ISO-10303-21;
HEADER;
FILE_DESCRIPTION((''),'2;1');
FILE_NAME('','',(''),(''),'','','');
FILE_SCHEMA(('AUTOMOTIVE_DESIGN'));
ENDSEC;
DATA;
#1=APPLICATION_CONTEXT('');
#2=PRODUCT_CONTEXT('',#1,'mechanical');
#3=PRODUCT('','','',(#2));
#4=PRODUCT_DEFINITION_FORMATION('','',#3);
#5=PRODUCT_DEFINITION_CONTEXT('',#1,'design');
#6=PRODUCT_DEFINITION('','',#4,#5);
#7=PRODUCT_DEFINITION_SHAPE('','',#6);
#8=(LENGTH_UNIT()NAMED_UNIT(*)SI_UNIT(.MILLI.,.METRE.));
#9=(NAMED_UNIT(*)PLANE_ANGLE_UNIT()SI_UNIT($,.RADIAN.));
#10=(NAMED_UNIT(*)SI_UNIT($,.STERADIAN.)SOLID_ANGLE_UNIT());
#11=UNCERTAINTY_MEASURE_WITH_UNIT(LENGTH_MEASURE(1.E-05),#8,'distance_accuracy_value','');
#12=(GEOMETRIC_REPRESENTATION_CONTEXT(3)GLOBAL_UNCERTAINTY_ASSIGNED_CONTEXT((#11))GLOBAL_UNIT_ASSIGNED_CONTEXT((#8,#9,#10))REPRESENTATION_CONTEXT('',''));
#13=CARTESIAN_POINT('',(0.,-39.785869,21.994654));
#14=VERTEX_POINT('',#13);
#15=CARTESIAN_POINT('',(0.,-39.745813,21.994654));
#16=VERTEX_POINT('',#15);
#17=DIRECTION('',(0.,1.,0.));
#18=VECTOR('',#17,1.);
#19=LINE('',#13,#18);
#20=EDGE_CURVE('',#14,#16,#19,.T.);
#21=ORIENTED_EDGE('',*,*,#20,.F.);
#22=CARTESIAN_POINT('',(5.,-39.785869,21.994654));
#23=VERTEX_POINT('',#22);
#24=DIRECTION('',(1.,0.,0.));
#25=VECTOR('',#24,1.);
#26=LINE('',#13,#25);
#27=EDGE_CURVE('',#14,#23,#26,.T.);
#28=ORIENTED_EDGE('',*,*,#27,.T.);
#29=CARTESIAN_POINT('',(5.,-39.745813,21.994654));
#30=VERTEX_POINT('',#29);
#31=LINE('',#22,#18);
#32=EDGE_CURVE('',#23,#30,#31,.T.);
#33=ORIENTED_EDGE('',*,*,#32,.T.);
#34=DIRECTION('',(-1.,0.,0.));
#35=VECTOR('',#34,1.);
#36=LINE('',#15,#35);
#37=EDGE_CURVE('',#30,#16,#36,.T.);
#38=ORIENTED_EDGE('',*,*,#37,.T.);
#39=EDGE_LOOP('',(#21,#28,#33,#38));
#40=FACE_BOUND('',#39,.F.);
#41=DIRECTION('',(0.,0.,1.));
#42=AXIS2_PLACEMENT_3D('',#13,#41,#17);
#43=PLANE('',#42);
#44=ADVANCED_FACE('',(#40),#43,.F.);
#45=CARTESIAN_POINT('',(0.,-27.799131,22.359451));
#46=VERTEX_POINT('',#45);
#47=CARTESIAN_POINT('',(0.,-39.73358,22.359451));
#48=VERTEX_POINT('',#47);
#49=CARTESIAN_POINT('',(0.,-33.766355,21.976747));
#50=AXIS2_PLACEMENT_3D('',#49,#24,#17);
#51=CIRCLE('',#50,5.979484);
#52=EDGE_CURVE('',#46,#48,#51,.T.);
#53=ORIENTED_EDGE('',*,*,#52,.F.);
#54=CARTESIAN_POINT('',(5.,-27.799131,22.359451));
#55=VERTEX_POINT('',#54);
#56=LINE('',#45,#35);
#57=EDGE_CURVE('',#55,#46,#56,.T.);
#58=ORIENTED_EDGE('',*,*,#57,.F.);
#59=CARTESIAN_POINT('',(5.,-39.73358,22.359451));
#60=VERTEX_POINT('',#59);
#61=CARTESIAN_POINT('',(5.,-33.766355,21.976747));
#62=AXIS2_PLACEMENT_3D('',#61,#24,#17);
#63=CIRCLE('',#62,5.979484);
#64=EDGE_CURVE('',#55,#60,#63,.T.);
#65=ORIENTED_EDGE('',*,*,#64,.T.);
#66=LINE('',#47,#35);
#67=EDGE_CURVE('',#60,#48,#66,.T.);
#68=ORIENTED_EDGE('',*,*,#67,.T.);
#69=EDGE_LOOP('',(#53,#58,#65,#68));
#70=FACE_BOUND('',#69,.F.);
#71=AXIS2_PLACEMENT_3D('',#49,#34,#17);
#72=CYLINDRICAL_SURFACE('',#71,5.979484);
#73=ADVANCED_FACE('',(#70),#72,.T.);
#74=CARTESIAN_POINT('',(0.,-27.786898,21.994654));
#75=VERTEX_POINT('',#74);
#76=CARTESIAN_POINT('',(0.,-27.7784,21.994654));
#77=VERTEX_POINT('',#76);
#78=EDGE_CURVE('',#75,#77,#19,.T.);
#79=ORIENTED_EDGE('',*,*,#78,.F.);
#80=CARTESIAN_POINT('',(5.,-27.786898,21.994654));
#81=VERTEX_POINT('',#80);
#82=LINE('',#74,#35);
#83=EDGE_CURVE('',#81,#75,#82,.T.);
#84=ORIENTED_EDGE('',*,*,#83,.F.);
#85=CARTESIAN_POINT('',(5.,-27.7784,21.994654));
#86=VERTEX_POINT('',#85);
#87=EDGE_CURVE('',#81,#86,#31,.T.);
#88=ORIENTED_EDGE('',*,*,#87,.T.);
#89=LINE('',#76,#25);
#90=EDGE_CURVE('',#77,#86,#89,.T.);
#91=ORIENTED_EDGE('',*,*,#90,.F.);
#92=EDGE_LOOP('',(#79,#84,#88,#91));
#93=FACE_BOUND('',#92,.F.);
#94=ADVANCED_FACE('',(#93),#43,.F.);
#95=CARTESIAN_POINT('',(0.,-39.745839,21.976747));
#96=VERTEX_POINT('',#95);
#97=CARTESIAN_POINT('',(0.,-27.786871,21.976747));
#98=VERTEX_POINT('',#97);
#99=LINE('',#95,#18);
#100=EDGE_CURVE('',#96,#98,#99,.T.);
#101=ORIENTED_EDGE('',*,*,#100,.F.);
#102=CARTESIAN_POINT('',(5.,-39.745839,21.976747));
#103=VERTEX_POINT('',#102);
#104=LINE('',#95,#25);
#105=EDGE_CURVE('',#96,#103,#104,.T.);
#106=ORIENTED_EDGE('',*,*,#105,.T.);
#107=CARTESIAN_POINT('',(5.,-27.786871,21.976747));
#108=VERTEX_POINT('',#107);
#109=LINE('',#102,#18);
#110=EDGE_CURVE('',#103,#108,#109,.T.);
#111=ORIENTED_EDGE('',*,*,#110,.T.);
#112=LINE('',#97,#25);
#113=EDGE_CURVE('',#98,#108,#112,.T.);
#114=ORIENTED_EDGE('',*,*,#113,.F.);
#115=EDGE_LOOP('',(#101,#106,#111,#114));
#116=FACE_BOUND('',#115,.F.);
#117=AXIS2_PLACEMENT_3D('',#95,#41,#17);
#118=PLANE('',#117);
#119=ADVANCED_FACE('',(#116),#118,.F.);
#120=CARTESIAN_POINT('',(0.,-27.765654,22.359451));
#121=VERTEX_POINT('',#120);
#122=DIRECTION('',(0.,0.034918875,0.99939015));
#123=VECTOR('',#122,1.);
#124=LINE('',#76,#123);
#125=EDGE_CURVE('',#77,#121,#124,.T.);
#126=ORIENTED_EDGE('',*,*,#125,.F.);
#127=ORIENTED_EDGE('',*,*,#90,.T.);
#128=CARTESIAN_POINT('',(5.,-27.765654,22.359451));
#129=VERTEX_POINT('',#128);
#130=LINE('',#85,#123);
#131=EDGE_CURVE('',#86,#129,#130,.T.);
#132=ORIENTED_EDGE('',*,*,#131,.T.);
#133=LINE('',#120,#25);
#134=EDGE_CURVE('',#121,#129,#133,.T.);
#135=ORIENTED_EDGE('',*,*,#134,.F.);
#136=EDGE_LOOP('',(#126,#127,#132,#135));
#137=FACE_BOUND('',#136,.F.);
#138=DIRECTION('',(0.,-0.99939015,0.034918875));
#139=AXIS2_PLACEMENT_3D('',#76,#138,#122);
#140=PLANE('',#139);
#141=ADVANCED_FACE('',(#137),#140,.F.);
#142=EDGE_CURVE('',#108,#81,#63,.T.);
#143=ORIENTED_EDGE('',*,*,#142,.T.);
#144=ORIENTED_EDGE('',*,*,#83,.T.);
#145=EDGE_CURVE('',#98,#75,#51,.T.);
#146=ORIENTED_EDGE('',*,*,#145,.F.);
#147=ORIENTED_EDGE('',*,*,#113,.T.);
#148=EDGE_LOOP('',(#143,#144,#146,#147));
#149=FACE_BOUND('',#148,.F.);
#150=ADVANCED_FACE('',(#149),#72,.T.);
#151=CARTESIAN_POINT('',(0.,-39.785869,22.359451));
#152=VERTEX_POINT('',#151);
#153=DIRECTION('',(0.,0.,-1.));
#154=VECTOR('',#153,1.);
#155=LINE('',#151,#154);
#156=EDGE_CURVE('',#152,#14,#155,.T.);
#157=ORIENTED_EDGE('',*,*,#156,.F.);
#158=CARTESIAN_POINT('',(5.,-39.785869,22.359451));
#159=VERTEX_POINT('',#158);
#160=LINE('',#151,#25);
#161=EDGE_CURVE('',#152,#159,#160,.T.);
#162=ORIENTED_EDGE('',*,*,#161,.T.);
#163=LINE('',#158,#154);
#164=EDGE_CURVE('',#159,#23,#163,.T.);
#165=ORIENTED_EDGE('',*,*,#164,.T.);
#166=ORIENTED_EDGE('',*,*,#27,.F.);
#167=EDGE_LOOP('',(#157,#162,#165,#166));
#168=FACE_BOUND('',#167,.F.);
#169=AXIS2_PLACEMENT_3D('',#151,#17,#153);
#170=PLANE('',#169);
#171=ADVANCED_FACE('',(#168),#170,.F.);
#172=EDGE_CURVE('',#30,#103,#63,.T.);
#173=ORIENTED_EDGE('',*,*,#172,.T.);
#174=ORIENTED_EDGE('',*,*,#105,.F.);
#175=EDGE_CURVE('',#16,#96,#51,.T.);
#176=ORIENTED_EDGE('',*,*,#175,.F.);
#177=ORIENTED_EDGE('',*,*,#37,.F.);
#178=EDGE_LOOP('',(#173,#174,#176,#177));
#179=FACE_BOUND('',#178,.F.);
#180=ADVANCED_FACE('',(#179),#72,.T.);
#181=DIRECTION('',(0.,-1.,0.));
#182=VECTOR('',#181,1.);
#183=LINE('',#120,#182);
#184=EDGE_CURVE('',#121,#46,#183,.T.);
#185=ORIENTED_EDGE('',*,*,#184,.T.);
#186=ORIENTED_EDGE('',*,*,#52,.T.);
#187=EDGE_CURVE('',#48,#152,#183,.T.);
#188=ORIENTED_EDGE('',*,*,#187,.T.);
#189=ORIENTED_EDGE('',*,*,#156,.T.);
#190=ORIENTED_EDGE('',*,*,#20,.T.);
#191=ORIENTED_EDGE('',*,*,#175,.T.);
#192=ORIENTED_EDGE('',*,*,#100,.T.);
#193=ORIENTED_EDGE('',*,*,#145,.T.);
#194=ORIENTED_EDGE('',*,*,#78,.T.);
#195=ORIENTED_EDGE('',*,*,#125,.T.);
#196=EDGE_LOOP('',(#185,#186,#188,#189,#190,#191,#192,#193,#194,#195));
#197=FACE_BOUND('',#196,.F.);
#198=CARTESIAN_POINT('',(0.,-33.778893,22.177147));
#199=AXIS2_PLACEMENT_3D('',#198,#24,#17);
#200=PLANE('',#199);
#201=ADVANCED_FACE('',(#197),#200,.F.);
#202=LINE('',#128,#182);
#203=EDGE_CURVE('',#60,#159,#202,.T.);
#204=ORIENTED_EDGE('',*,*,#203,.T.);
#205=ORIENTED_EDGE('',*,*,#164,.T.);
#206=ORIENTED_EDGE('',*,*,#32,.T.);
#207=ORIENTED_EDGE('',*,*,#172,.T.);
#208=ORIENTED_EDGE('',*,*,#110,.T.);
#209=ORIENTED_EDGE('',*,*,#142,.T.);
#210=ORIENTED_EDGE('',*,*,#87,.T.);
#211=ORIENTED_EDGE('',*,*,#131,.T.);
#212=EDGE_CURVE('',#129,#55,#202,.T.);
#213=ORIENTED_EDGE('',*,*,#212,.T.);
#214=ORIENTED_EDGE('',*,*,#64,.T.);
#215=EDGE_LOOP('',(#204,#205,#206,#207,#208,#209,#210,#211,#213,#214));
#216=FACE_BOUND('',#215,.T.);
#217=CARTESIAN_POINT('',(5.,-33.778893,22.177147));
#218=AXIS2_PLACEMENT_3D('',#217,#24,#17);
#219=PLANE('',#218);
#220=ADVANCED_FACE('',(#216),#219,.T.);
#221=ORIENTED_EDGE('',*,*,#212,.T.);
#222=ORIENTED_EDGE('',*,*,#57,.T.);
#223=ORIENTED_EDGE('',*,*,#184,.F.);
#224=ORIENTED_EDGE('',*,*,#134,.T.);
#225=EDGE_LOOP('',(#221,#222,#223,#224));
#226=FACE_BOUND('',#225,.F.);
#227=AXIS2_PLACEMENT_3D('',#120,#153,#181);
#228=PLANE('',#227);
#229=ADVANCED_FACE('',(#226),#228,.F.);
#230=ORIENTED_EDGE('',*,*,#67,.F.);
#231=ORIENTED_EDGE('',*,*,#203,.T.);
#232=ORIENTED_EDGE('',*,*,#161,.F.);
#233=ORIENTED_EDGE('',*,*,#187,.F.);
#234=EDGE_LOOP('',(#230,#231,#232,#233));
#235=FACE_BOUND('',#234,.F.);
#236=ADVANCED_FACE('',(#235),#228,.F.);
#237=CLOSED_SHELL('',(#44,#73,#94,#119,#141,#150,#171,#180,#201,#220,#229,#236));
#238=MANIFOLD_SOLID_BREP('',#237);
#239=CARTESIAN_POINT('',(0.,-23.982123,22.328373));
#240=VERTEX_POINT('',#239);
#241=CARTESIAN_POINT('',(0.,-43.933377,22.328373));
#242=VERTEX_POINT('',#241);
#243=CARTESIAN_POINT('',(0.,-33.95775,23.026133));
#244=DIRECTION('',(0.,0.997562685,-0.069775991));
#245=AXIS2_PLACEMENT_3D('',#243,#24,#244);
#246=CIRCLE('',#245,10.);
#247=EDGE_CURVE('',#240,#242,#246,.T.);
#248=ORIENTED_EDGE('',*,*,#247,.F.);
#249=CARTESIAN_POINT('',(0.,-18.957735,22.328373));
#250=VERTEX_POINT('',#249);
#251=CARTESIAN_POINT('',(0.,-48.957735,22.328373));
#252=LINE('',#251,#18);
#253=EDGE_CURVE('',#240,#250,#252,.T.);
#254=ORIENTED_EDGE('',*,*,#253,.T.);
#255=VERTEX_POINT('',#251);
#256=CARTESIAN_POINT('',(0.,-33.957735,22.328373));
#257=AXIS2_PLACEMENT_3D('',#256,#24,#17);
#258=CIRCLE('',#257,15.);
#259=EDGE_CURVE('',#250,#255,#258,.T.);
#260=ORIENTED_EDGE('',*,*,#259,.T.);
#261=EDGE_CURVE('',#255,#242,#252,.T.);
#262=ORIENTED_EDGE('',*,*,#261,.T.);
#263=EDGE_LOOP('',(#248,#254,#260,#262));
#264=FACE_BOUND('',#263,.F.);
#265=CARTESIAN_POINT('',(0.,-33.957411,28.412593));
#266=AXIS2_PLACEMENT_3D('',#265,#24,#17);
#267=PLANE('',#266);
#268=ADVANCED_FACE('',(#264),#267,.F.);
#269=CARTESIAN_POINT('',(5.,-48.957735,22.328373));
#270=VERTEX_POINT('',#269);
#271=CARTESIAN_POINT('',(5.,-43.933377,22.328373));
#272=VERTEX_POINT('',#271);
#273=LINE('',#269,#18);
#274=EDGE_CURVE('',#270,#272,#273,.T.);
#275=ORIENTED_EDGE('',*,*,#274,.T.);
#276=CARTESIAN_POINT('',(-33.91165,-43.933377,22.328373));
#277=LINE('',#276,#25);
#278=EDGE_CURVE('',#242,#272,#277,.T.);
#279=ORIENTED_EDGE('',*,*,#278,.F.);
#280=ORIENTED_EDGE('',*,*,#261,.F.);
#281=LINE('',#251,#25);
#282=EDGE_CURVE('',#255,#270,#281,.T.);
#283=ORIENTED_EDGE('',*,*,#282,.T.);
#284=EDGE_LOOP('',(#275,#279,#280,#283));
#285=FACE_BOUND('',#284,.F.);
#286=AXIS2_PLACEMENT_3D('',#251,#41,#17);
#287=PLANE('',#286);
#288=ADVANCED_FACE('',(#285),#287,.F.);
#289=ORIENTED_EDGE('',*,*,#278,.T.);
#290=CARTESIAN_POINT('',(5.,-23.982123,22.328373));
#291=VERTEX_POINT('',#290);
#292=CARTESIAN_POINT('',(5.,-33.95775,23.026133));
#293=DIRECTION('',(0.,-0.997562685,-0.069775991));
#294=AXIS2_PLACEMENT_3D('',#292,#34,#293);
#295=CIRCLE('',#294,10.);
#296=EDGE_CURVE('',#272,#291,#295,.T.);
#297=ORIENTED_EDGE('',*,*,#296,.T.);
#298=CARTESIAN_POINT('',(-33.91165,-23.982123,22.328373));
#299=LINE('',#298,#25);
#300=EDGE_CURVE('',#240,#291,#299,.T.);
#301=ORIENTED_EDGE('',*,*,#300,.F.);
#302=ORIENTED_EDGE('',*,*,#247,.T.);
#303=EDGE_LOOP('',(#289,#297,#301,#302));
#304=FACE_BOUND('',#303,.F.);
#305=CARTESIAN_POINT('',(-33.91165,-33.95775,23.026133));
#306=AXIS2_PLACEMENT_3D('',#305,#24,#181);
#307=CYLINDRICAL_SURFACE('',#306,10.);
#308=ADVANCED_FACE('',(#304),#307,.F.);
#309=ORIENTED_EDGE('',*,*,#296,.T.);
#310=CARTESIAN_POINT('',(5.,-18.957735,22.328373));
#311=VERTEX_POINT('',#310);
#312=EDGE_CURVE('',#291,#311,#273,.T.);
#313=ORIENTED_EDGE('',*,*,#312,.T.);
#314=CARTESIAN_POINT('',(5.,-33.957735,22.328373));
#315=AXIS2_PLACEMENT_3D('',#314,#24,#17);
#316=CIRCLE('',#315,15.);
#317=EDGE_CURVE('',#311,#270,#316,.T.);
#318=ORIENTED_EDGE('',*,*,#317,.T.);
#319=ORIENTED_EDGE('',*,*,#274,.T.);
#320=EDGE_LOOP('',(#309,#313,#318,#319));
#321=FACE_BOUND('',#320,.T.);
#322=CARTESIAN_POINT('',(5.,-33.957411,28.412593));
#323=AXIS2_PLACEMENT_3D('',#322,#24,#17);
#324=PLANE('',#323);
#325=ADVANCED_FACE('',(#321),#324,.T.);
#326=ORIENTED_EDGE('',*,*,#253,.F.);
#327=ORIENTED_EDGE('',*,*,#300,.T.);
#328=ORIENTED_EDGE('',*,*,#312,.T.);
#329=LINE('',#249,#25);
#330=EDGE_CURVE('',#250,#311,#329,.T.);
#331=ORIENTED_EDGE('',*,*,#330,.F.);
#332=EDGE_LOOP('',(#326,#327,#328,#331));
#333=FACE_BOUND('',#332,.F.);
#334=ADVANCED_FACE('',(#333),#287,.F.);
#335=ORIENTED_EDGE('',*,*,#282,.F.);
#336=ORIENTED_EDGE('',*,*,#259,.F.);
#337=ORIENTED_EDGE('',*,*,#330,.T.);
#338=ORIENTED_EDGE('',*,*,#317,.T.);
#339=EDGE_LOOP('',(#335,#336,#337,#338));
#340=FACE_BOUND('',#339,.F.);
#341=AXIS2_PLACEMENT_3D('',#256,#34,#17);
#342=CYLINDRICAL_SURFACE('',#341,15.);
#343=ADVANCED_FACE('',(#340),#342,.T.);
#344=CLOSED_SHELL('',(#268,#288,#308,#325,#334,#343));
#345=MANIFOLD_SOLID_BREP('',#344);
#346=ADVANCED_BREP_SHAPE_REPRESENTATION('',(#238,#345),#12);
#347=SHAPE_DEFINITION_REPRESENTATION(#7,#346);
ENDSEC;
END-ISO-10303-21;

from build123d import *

# Parameters (mm, degrees)
F1_DEPTH = 5
F3_D     = 20
F5_DEPTH = 5
F7_DEPTH = 5


with BuildPart() as f1:
    # F0 (on Right) → F1 (new body)
    with BuildSketch(Plane.YZ):
        with BuildLine():
            Line((-26.1599914792, 22.3283730447), (-18.957734704, 22.3283730447))
            ThreePointArc((-18.957734704, 22.3283730447), (-33.957734704, 37.3283730447), (-48.957734704, 22.3283730447))
            Line((-48.957734704, 22.3283730447), (-41.7554779289, 22.3283730447))
            ThreePointArc((-41.7554779289, 22.3283730447), (-41.4137994616, 24.6113311545), (-40.4187071272, 26.6942217305))
            ThreePointArc((-40.4187071272, 26.6942217305), (-37.6156734945, 29.2149021564), (-33.957734704, 30.1261162696))
            ThreePointArc((-33.957734704, 30.1261162696), (-30.6212184127, 29.3762421155), (-27.9264178741, 27.2708437525))
            ThreePointArc((-27.9264178741, 27.2708437525), (-26.614865396, 24.9526957624), (-26.1599914792, 22.3283730447))
        make_face()
        with BuildLine():
            Line((-33.957734704, 22.3283730447), (-26.1599914792, 22.3283730447))
            ThreePointArc((-26.1599914792, 22.3283730447), (-26.614865396, 24.9526957624), (-27.9264178741, 27.2708437525))
            Line((-27.9264178741, 27.2708437525), (-33.957734704, 22.3283730447))
        make_face()
        with BuildLine():
            Line((-33.957734704, 30.1261162696), (-33.957734704, 22.3283730447))
            Line((-33.957734704, 22.3283730447), (-27.9264178741, 27.2708437525))
            ThreePointArc((-27.9264178741, 27.2708437525), (-30.6212184127, 29.3762421155), (-33.957734704, 30.1261162696))
        make_face()
        with BuildLine():
            Line((-40.4187071272, 26.6942217305), (-33.957734704, 22.3283730447))
            Line((-33.957734704, 22.3283730447), (-33.957734704, 30.1261162696))
            ThreePointArc((-33.957734704, 30.1261162696), (-37.6156734945, 29.2149021564), (-40.4187071272, 26.6942217305))
        make_face()
        with BuildLine():
            ThreePointArc((-40.4187071272, 26.6942217305), (-41.4137994616, 24.6113311545), (-41.7554779289, 22.3283730447))
            Line((-41.7554779289, 22.3283730447), (-33.957734704, 22.3283730447))
            Line((-33.957734704, 22.3283730447), (-40.4187071272, 26.6942217305))
        make_face()
    extrude(amount=F1_DEPTH)

    # F3 (through all)
    with Locations(Plane(origin=(0, 0, 0), x_dir=(0, 1, 0), z_dir=(-1, 0, 0))):
        with Locations((-33.9577498666, -23.0261329564)):
            Hole(F3_D / 2)


with BuildPart() as f5:
    # F4 (on Right) → F5 (new body)
    with BuildSketch(Plane.YZ):
        with BuildLine():
            Line((-39.74583946, 21.9767466187), (-27.786871271, 21.9767466187))
            ThreePointArc((-27.786871271, 21.9767466187), (-33.7663553655, 27.9562307132), (-39.74583946, 21.9767466187))
        make_face()
    extrude(amount=F5_DEPTH)

    # F6 (on Right) → F7 (join)
    with BuildSketch(Plane.YZ):
        Polygon((-27.7784001082, 21.9946540892), (-27.7656540275, 22.359451279), (-39.7858694196, 22.359451279), (-39.7858694196, 21.9946540892), align=None)
    extrude(amount=F7_DEPTH)


solid = Compound([f1.part, f5.part])
